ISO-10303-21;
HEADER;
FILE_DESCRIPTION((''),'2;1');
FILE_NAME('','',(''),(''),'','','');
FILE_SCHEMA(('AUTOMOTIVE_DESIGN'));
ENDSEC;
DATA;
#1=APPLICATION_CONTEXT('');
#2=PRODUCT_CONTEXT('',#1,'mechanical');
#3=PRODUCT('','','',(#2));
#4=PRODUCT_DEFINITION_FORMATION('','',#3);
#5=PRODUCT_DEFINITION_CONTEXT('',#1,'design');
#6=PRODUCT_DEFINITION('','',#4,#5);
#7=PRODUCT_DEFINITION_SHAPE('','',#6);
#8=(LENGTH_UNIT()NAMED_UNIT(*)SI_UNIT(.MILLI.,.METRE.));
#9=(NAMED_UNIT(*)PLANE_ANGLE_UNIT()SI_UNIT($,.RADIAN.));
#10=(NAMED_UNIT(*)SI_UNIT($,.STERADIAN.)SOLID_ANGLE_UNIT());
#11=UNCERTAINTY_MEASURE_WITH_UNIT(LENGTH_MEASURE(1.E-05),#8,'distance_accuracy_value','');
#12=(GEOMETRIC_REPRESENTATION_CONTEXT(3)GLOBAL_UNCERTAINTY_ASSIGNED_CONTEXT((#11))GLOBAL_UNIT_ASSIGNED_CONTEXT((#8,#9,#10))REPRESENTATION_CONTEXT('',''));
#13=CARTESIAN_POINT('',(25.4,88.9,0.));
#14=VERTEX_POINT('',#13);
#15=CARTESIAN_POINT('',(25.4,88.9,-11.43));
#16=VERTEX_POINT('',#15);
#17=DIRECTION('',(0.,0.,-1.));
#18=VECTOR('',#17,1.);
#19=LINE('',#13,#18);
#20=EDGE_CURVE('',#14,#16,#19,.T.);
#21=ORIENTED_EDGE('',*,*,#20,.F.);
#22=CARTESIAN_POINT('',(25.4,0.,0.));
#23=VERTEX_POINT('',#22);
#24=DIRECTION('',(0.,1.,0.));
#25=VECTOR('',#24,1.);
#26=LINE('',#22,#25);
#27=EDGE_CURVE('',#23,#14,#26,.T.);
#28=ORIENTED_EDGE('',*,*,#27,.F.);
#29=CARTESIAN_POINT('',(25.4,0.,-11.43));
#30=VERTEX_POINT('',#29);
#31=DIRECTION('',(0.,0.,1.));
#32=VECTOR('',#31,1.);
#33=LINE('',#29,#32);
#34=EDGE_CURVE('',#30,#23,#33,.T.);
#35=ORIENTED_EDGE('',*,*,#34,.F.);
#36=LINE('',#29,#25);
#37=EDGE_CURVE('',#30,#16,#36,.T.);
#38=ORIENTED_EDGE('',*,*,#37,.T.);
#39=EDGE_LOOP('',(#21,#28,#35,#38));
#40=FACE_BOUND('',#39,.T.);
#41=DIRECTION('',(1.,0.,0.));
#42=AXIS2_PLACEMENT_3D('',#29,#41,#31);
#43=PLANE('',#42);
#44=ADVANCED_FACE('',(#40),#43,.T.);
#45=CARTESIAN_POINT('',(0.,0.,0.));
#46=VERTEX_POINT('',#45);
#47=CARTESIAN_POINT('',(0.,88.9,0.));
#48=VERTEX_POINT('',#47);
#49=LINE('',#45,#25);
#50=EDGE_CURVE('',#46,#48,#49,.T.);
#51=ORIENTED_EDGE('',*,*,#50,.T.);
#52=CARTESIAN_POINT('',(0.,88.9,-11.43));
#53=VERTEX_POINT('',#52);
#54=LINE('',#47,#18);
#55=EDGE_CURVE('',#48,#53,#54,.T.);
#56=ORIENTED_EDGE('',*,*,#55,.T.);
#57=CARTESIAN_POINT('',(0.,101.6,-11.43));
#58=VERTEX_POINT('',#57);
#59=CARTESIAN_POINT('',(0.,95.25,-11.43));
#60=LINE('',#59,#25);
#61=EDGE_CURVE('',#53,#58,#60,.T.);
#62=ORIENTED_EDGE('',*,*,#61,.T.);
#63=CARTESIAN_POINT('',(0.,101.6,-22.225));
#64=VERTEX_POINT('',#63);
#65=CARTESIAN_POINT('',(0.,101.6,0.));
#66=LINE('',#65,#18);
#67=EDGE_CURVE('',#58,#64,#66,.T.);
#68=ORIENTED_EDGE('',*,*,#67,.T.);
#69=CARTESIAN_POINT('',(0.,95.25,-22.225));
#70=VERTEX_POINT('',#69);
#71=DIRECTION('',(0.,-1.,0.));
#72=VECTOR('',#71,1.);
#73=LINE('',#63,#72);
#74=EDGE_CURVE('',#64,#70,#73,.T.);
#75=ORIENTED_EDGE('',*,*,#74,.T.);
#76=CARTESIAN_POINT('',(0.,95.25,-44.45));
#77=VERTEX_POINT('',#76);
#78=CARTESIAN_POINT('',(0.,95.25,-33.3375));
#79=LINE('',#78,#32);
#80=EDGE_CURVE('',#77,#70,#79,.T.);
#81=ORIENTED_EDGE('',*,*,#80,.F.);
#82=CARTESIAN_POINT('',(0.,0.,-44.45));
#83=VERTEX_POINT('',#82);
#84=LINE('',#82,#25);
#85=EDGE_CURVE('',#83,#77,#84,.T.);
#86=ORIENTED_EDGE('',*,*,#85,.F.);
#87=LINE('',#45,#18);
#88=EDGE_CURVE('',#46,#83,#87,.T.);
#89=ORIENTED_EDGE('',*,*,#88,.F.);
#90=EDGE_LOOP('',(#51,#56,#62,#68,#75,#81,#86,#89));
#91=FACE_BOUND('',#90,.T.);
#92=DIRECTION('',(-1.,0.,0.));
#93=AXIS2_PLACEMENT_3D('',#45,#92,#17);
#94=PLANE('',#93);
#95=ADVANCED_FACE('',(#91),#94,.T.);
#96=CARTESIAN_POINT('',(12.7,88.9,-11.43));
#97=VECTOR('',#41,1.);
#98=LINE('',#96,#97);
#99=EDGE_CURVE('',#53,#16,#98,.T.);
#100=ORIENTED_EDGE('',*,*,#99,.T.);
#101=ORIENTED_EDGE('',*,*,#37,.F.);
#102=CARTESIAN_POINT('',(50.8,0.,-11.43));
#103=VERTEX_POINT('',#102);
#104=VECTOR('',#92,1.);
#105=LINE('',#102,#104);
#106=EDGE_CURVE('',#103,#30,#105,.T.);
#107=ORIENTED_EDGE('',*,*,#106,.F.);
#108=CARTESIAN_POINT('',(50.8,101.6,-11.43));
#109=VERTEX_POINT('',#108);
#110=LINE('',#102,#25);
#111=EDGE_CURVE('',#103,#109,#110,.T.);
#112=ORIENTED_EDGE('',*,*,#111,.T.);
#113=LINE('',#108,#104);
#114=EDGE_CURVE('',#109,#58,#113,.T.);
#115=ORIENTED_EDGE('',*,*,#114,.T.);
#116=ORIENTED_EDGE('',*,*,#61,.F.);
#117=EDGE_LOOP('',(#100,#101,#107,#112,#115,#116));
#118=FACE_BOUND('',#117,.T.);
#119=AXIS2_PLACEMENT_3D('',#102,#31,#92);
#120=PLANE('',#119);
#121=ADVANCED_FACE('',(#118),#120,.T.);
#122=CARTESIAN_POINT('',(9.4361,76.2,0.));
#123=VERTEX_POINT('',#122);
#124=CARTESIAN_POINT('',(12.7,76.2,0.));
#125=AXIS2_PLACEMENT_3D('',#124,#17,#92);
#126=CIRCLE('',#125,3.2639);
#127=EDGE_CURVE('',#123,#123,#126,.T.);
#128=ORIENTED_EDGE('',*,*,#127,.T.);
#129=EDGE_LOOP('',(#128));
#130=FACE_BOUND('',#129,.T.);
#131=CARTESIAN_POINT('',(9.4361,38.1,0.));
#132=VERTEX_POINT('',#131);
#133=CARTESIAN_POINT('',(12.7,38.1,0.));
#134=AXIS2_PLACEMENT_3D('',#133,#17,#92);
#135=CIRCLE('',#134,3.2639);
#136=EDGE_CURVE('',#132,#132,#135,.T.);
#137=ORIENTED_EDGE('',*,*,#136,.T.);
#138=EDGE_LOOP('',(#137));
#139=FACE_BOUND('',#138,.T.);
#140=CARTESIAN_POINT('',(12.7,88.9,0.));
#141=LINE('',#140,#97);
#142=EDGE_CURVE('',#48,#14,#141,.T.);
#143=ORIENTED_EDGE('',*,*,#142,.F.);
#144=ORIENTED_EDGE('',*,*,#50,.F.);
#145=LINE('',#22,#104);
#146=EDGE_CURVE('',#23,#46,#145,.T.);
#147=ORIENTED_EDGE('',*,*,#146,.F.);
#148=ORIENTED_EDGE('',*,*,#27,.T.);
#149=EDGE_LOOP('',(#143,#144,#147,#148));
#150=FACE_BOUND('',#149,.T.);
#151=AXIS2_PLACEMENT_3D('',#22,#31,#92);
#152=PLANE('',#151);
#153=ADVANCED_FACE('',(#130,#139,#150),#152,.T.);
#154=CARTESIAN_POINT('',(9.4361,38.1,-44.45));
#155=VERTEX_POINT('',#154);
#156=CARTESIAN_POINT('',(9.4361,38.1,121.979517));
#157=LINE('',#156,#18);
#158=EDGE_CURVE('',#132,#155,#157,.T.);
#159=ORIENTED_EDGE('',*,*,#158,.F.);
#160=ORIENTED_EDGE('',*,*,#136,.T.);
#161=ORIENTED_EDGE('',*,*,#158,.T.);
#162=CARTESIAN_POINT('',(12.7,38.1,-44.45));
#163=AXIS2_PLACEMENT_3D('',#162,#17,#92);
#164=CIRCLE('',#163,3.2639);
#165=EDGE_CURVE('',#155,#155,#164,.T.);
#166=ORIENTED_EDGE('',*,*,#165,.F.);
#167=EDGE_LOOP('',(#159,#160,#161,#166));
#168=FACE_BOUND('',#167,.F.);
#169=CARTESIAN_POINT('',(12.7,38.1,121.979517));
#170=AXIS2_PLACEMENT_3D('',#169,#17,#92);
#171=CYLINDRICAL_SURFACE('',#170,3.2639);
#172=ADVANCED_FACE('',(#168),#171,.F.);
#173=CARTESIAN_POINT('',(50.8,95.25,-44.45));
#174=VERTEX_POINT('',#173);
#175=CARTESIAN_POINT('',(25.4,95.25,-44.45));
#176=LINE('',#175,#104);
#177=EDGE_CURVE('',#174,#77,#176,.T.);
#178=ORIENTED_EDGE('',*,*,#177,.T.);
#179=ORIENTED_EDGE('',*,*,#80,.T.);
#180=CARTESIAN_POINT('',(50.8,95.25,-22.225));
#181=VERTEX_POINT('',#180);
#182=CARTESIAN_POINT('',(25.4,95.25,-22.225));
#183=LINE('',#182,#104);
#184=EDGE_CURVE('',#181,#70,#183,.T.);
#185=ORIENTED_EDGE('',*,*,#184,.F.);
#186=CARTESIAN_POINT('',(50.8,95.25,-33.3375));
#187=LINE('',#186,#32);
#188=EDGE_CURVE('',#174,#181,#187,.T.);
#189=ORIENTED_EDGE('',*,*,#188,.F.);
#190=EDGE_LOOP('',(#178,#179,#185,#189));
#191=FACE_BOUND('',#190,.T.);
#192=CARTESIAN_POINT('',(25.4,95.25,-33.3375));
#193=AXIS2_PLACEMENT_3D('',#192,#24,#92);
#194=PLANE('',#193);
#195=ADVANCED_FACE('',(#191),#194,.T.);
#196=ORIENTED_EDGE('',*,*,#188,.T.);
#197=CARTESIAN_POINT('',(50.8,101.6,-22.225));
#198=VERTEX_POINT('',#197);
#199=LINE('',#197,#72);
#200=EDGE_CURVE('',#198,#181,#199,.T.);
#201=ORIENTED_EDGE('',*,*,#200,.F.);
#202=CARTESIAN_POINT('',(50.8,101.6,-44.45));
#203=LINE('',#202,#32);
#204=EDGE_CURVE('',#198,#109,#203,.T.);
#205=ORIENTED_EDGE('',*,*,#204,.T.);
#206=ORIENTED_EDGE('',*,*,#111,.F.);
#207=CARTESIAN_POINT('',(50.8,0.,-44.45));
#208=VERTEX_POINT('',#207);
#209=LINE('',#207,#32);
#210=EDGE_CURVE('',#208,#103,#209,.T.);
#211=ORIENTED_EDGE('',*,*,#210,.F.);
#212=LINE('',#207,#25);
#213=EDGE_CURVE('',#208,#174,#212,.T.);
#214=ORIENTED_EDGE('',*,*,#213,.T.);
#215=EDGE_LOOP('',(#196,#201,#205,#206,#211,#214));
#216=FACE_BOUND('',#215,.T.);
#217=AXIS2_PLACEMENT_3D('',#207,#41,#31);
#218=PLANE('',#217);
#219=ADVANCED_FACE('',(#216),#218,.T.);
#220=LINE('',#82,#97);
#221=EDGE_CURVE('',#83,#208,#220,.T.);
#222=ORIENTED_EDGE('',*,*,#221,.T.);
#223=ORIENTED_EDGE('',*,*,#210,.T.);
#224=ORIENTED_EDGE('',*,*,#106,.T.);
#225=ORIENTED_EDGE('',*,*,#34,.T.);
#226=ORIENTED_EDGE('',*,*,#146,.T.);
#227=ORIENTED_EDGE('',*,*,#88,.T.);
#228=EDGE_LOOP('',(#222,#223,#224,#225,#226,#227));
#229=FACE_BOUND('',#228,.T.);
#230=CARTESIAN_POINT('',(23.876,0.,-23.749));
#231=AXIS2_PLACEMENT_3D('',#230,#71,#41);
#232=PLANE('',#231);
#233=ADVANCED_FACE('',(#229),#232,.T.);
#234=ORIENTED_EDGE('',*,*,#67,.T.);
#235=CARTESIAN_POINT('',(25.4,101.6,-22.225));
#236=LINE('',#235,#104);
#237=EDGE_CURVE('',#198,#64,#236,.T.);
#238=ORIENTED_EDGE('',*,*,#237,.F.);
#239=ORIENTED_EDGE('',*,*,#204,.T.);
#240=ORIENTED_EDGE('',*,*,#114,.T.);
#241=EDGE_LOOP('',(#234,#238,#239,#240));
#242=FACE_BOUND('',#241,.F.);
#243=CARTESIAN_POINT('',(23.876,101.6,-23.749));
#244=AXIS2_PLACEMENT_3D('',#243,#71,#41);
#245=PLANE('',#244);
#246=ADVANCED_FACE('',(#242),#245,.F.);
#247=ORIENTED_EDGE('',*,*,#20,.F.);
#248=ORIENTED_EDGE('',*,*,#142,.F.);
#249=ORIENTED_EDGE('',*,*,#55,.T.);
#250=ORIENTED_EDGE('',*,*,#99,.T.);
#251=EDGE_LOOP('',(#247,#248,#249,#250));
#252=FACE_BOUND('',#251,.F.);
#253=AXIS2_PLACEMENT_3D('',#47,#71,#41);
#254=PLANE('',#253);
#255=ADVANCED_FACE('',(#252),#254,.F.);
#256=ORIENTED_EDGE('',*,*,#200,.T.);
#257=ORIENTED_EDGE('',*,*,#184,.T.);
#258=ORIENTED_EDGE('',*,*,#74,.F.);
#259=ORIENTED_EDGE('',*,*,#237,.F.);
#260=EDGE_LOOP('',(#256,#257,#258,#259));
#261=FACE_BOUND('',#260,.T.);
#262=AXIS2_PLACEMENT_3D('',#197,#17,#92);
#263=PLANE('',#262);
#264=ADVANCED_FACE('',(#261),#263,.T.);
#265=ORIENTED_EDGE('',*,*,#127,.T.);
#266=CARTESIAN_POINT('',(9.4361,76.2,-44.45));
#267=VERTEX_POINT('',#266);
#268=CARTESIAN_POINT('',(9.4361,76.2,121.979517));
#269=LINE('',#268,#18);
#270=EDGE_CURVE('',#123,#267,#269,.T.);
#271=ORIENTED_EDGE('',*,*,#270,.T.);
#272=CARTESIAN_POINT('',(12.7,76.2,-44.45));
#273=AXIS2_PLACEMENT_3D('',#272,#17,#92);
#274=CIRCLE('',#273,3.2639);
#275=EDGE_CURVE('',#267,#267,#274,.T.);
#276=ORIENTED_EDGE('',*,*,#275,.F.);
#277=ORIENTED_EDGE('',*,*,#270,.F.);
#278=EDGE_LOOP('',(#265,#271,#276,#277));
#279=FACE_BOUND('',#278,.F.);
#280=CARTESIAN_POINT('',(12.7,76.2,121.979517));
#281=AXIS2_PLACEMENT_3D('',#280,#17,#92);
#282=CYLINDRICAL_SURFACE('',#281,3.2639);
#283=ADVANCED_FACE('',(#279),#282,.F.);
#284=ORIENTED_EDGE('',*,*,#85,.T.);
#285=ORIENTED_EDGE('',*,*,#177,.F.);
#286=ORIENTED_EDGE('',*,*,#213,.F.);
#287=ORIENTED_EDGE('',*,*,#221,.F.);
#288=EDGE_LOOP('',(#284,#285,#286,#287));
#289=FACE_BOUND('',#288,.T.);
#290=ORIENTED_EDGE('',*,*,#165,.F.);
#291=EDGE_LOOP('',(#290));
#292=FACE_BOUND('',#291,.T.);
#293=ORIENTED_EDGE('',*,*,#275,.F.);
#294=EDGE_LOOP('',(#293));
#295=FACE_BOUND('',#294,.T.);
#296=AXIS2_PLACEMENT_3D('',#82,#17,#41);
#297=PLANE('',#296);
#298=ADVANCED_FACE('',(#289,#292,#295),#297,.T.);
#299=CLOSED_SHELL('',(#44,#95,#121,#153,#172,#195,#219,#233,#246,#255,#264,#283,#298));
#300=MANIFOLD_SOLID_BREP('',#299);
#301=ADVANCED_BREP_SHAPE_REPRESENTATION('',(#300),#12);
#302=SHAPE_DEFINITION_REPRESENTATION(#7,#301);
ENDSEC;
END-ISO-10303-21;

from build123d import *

# Parameters (mm, degrees)
F1_DEPTH = 101.6
F2_W     = 50.8
F2_H     = 22.225
F3_DEPTH = 6.35
F4_W     = 25.4
F4_H     = 12.7
F5_DEPTH = 11.43
F7_D     = 6.5278


with BuildPart() as f1:
    # F0 (on Front) → F1 (new body)
    with BuildSketch(Plane.XZ):
        Polygon((25.4, 0), (0, 0), (0, -44.45), (50.8, -44.45), (50.8, -11.43), (25.4, -11.43), align=None)
    extrude(amount=-F1_DEPTH)

    # F2 (on face) → F3 (cut)
    with BuildSketch(Plane(origin=(0, 101.6, 0), x_dir=(-1, 0, 0), z_dir=(0, 1, 0))):
        with Locations((-25.4, -33.3375)):
            Rectangle(F2_W, F2_H)
    extrude(amount=-F3_DEPTH, mode=Mode.SUBTRACT)

    # F4 (on face) → F5 (cut, through all)
    with BuildSketch(Plane.XY):
        with Locations((12.7, 95.25)):
            Rectangle(F4_W, F4_H)
    extrude(amount=-F5_DEPTH, mode=Mode.SUBTRACT)

    # F7 (through all)
    with Locations(Plane.XY):
        with Locations((12.7, 76.2), (12.7, 38.1)):
            Hole(F7_D / 2)


solid = f1.part
